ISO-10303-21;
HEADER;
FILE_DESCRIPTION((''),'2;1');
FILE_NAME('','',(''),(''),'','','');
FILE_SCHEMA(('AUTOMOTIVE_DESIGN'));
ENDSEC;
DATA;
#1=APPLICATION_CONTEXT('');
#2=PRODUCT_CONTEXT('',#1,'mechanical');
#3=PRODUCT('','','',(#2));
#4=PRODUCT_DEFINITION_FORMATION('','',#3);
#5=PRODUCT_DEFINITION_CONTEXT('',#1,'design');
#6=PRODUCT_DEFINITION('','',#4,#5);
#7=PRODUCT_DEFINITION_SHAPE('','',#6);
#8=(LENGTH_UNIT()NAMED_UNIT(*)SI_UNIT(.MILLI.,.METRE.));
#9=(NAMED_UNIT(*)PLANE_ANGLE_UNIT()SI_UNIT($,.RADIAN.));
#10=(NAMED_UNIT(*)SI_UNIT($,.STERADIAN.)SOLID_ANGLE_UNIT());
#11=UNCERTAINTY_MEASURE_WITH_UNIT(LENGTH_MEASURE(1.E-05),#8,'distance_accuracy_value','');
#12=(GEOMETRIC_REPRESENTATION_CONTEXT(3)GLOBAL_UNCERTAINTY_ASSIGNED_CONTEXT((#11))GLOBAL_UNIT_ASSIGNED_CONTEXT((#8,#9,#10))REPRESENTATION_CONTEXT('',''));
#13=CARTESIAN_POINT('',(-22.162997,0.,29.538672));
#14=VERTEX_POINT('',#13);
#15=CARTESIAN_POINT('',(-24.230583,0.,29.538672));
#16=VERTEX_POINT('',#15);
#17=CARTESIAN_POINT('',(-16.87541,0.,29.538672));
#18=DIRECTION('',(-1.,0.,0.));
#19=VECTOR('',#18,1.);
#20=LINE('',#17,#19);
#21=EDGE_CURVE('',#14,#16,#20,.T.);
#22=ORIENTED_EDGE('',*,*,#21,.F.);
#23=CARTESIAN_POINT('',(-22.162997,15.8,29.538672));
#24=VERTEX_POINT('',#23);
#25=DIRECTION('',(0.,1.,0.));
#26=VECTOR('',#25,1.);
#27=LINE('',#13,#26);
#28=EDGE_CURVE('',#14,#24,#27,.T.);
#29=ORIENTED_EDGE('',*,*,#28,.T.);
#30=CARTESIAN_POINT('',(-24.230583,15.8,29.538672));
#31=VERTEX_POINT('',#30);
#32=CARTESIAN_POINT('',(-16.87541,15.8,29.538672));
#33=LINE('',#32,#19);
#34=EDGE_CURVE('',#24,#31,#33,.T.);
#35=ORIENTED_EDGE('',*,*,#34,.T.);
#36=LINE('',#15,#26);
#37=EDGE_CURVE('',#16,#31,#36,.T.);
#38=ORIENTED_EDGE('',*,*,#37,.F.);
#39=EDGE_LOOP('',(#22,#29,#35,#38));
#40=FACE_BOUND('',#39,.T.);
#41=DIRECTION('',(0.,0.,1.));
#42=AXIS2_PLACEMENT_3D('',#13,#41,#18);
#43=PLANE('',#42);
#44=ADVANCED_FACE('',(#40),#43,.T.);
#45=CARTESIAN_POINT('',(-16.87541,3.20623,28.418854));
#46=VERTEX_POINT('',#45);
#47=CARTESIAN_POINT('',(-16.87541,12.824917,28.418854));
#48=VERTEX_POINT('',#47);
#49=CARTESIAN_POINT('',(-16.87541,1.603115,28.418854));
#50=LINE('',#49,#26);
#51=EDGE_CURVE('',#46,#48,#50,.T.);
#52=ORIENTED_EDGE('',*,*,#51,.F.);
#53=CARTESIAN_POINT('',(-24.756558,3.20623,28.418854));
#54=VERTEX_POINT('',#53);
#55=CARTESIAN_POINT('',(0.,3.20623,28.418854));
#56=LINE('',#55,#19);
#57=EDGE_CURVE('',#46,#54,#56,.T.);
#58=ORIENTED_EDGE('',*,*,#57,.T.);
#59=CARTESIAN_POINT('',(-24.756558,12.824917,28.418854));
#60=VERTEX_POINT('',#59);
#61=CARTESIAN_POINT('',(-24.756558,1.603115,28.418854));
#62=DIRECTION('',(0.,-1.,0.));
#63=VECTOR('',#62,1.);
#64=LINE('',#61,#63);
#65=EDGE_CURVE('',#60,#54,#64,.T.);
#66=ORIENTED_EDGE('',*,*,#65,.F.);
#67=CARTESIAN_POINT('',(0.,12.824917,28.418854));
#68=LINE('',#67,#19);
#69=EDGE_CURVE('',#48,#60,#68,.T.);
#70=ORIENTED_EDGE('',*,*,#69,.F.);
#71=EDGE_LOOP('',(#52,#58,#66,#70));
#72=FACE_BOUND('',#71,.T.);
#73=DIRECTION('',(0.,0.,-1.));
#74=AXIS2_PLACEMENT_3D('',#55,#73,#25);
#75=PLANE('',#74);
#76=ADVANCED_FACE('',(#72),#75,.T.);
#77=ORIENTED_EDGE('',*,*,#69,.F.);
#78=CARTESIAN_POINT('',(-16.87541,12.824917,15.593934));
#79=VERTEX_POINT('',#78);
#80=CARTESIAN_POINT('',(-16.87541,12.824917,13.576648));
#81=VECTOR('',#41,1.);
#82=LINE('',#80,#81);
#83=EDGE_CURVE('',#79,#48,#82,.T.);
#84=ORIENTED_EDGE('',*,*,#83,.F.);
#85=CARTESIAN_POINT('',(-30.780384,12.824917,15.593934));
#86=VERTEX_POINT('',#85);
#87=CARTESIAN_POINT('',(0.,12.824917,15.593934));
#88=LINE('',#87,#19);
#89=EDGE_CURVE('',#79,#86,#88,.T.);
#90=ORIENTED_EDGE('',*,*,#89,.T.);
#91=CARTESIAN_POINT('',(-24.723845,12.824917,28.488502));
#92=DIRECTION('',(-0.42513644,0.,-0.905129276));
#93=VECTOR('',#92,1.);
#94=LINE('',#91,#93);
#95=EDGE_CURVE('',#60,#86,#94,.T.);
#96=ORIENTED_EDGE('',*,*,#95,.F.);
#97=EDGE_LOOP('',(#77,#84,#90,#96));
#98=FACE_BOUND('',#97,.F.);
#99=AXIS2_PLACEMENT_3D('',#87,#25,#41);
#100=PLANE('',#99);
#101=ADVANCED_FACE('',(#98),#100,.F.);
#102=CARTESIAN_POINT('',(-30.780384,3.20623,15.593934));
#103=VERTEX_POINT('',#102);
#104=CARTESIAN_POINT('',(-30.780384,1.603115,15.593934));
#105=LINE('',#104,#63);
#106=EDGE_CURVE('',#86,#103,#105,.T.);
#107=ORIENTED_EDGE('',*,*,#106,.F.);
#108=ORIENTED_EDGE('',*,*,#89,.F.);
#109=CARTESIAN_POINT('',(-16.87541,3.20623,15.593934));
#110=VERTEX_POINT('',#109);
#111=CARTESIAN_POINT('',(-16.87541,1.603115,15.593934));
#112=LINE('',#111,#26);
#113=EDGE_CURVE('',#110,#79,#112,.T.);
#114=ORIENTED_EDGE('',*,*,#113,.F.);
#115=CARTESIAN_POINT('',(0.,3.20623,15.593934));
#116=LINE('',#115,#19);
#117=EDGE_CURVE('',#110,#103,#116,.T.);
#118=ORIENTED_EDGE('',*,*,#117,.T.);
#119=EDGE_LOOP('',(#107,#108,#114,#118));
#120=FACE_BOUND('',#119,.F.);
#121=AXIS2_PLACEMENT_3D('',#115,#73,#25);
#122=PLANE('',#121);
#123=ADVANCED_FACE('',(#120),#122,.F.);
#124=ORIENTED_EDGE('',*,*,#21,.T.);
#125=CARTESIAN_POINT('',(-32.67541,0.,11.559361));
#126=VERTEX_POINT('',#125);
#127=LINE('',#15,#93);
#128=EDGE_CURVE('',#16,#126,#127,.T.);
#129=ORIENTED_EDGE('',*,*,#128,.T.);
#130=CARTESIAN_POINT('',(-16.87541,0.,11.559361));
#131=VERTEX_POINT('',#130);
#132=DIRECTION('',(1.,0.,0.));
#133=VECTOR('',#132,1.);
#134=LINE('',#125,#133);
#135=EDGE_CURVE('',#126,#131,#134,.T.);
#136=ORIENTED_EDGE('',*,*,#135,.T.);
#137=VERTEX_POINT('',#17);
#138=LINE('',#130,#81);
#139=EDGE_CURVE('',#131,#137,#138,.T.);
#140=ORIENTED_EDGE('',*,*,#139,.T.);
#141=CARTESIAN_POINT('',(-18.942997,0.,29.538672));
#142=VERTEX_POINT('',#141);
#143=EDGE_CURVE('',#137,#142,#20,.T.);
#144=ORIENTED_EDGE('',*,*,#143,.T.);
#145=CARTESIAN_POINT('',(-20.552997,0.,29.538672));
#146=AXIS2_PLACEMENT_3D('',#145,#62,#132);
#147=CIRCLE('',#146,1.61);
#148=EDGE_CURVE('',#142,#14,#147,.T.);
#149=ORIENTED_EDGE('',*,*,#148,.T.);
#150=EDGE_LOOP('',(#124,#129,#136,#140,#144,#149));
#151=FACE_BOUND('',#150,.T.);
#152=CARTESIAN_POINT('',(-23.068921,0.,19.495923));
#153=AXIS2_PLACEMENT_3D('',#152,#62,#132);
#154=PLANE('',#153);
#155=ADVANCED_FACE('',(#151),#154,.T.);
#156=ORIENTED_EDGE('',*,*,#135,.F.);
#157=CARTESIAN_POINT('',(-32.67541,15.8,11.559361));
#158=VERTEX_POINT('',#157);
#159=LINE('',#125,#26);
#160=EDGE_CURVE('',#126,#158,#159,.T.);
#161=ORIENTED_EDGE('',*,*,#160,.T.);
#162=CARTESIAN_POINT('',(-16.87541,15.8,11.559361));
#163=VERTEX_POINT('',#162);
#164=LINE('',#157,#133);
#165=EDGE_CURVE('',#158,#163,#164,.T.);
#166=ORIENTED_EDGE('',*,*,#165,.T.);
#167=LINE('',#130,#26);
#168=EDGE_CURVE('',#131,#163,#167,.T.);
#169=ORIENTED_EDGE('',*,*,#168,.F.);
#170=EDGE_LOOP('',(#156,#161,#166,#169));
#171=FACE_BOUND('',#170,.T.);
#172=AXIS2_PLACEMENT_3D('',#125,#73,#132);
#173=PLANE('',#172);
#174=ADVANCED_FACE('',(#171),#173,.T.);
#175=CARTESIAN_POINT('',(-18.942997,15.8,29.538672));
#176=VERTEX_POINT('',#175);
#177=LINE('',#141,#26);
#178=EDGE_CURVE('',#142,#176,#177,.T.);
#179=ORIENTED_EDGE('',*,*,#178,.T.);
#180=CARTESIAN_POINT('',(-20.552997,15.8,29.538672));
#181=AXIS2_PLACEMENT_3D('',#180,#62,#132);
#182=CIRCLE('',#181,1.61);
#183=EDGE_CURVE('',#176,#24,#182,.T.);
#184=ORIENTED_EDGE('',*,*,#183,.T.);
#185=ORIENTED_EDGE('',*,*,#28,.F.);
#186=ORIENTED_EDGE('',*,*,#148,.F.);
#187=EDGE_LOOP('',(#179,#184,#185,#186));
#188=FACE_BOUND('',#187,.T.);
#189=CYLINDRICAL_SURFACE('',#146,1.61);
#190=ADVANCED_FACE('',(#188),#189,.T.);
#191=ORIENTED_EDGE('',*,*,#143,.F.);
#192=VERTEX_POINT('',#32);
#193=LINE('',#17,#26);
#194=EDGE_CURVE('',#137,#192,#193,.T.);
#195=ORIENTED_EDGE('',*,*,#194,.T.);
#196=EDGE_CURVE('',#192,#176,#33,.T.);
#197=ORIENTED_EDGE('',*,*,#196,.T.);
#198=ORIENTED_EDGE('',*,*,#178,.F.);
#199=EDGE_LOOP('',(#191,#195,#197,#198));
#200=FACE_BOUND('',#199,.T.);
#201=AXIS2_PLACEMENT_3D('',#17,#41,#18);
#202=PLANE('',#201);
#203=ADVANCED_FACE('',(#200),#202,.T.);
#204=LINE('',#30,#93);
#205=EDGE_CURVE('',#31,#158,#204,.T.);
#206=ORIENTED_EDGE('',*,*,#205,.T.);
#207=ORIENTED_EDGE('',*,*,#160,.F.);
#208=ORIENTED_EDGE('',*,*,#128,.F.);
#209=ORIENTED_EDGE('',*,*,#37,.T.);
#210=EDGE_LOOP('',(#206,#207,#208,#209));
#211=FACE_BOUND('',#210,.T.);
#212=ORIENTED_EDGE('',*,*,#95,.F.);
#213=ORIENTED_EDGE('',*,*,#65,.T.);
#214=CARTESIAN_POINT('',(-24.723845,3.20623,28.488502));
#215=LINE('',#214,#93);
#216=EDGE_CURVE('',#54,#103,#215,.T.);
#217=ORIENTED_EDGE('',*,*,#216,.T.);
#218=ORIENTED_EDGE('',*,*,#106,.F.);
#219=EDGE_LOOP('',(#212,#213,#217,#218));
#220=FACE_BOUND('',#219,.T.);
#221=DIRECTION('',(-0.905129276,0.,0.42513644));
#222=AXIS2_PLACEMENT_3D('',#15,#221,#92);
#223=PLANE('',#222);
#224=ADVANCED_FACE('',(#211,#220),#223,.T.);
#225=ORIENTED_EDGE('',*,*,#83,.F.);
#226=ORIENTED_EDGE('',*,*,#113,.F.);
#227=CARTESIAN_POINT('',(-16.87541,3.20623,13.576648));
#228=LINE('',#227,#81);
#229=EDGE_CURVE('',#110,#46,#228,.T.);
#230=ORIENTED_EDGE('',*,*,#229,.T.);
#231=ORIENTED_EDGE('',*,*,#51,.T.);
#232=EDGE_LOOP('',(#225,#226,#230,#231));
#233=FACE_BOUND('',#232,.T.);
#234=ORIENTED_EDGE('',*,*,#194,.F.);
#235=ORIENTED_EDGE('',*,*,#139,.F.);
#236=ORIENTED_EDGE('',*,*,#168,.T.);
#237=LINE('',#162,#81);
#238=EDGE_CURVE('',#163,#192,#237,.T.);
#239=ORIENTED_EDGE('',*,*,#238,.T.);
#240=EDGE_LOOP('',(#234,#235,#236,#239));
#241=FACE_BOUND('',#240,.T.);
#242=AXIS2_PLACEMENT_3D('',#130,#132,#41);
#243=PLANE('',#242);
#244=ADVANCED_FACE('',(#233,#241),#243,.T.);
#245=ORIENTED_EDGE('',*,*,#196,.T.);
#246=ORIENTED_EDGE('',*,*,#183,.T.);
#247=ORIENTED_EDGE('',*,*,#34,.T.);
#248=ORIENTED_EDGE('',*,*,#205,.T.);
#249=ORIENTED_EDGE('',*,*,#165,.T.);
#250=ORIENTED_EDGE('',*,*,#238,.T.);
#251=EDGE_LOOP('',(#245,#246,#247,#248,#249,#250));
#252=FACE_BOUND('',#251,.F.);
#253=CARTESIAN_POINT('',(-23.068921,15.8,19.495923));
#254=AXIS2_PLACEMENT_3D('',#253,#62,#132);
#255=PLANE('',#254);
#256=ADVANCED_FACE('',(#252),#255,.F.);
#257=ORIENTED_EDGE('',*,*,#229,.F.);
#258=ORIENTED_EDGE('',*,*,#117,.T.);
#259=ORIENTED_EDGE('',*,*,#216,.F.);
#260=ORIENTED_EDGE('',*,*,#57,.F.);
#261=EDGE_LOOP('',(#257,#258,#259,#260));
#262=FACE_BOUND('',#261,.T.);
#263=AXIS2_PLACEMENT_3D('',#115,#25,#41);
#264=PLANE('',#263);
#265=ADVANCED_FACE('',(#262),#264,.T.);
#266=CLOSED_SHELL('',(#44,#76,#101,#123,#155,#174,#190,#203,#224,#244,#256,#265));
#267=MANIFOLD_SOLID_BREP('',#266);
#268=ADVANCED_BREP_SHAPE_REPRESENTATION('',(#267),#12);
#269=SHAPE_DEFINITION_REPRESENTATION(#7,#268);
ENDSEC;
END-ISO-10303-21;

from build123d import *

# Parameters (mm, degrees)
F1_DEPTH = 15.8
F2_W     = 9.6186874434
F2_H     = 12.8249200061
F3_DEPTH = 55


with BuildPart() as f1:
    # F0 (on Front) → F1 (new body)
    with BuildSketch(Plane.XZ):
        with BuildLine():
            Line((-16.875410071, 11.5593611415), (-16.875410071, 29.5386719365))
            Line((-16.875410071, 29.5386719365), (-18.942996548, 29.5386719365))
            ThreePointArc((-18.942996548, 29.5386719365), (-20.552996548, 27.9286719365), (-22.162996548, 29.5386719365))
            Line((-22.162996548, 29.5386719365), (-24.2305830251, 29.5386719365))
            Line((-24.2305830251, 29.5386719365), (-32.675410071, 11.5593611415))
            Line((-32.675410071, 11.5593611415), (-16.875410071, 11.5593611415))
        make_face()
        with BuildLine():
            ThreePointArc((-22.162996548, 29.5386719365), (-20.552996548, 27.9286719365), (-18.942996548, 29.5386719365))
            Line((-18.942996548, 29.5386719365), (-22.162996548, 29.5386719365))
        make_face()
        with BuildLine():
            Line((-22.162996548, 29.5386719365), (-18.942996548, 29.5386719365))
            ThreePointArc((-18.942996548, 29.5386719365), (-20.552996548, 31.1486719365), (-22.162996548, 29.5386719365))
        make_face()
    extrude(amount=-F1_DEPTH)

    # F2 (on Right) → F3 (cut)
    with BuildSketch(Plane.YZ):
        with Locations((8.0155734904, 22.0063938759)):
            Rectangle(F2_W, F2_H)
    extrude(amount=-F3_DEPTH, mode=Mode.SUBTRACT)


solid = f1.part
